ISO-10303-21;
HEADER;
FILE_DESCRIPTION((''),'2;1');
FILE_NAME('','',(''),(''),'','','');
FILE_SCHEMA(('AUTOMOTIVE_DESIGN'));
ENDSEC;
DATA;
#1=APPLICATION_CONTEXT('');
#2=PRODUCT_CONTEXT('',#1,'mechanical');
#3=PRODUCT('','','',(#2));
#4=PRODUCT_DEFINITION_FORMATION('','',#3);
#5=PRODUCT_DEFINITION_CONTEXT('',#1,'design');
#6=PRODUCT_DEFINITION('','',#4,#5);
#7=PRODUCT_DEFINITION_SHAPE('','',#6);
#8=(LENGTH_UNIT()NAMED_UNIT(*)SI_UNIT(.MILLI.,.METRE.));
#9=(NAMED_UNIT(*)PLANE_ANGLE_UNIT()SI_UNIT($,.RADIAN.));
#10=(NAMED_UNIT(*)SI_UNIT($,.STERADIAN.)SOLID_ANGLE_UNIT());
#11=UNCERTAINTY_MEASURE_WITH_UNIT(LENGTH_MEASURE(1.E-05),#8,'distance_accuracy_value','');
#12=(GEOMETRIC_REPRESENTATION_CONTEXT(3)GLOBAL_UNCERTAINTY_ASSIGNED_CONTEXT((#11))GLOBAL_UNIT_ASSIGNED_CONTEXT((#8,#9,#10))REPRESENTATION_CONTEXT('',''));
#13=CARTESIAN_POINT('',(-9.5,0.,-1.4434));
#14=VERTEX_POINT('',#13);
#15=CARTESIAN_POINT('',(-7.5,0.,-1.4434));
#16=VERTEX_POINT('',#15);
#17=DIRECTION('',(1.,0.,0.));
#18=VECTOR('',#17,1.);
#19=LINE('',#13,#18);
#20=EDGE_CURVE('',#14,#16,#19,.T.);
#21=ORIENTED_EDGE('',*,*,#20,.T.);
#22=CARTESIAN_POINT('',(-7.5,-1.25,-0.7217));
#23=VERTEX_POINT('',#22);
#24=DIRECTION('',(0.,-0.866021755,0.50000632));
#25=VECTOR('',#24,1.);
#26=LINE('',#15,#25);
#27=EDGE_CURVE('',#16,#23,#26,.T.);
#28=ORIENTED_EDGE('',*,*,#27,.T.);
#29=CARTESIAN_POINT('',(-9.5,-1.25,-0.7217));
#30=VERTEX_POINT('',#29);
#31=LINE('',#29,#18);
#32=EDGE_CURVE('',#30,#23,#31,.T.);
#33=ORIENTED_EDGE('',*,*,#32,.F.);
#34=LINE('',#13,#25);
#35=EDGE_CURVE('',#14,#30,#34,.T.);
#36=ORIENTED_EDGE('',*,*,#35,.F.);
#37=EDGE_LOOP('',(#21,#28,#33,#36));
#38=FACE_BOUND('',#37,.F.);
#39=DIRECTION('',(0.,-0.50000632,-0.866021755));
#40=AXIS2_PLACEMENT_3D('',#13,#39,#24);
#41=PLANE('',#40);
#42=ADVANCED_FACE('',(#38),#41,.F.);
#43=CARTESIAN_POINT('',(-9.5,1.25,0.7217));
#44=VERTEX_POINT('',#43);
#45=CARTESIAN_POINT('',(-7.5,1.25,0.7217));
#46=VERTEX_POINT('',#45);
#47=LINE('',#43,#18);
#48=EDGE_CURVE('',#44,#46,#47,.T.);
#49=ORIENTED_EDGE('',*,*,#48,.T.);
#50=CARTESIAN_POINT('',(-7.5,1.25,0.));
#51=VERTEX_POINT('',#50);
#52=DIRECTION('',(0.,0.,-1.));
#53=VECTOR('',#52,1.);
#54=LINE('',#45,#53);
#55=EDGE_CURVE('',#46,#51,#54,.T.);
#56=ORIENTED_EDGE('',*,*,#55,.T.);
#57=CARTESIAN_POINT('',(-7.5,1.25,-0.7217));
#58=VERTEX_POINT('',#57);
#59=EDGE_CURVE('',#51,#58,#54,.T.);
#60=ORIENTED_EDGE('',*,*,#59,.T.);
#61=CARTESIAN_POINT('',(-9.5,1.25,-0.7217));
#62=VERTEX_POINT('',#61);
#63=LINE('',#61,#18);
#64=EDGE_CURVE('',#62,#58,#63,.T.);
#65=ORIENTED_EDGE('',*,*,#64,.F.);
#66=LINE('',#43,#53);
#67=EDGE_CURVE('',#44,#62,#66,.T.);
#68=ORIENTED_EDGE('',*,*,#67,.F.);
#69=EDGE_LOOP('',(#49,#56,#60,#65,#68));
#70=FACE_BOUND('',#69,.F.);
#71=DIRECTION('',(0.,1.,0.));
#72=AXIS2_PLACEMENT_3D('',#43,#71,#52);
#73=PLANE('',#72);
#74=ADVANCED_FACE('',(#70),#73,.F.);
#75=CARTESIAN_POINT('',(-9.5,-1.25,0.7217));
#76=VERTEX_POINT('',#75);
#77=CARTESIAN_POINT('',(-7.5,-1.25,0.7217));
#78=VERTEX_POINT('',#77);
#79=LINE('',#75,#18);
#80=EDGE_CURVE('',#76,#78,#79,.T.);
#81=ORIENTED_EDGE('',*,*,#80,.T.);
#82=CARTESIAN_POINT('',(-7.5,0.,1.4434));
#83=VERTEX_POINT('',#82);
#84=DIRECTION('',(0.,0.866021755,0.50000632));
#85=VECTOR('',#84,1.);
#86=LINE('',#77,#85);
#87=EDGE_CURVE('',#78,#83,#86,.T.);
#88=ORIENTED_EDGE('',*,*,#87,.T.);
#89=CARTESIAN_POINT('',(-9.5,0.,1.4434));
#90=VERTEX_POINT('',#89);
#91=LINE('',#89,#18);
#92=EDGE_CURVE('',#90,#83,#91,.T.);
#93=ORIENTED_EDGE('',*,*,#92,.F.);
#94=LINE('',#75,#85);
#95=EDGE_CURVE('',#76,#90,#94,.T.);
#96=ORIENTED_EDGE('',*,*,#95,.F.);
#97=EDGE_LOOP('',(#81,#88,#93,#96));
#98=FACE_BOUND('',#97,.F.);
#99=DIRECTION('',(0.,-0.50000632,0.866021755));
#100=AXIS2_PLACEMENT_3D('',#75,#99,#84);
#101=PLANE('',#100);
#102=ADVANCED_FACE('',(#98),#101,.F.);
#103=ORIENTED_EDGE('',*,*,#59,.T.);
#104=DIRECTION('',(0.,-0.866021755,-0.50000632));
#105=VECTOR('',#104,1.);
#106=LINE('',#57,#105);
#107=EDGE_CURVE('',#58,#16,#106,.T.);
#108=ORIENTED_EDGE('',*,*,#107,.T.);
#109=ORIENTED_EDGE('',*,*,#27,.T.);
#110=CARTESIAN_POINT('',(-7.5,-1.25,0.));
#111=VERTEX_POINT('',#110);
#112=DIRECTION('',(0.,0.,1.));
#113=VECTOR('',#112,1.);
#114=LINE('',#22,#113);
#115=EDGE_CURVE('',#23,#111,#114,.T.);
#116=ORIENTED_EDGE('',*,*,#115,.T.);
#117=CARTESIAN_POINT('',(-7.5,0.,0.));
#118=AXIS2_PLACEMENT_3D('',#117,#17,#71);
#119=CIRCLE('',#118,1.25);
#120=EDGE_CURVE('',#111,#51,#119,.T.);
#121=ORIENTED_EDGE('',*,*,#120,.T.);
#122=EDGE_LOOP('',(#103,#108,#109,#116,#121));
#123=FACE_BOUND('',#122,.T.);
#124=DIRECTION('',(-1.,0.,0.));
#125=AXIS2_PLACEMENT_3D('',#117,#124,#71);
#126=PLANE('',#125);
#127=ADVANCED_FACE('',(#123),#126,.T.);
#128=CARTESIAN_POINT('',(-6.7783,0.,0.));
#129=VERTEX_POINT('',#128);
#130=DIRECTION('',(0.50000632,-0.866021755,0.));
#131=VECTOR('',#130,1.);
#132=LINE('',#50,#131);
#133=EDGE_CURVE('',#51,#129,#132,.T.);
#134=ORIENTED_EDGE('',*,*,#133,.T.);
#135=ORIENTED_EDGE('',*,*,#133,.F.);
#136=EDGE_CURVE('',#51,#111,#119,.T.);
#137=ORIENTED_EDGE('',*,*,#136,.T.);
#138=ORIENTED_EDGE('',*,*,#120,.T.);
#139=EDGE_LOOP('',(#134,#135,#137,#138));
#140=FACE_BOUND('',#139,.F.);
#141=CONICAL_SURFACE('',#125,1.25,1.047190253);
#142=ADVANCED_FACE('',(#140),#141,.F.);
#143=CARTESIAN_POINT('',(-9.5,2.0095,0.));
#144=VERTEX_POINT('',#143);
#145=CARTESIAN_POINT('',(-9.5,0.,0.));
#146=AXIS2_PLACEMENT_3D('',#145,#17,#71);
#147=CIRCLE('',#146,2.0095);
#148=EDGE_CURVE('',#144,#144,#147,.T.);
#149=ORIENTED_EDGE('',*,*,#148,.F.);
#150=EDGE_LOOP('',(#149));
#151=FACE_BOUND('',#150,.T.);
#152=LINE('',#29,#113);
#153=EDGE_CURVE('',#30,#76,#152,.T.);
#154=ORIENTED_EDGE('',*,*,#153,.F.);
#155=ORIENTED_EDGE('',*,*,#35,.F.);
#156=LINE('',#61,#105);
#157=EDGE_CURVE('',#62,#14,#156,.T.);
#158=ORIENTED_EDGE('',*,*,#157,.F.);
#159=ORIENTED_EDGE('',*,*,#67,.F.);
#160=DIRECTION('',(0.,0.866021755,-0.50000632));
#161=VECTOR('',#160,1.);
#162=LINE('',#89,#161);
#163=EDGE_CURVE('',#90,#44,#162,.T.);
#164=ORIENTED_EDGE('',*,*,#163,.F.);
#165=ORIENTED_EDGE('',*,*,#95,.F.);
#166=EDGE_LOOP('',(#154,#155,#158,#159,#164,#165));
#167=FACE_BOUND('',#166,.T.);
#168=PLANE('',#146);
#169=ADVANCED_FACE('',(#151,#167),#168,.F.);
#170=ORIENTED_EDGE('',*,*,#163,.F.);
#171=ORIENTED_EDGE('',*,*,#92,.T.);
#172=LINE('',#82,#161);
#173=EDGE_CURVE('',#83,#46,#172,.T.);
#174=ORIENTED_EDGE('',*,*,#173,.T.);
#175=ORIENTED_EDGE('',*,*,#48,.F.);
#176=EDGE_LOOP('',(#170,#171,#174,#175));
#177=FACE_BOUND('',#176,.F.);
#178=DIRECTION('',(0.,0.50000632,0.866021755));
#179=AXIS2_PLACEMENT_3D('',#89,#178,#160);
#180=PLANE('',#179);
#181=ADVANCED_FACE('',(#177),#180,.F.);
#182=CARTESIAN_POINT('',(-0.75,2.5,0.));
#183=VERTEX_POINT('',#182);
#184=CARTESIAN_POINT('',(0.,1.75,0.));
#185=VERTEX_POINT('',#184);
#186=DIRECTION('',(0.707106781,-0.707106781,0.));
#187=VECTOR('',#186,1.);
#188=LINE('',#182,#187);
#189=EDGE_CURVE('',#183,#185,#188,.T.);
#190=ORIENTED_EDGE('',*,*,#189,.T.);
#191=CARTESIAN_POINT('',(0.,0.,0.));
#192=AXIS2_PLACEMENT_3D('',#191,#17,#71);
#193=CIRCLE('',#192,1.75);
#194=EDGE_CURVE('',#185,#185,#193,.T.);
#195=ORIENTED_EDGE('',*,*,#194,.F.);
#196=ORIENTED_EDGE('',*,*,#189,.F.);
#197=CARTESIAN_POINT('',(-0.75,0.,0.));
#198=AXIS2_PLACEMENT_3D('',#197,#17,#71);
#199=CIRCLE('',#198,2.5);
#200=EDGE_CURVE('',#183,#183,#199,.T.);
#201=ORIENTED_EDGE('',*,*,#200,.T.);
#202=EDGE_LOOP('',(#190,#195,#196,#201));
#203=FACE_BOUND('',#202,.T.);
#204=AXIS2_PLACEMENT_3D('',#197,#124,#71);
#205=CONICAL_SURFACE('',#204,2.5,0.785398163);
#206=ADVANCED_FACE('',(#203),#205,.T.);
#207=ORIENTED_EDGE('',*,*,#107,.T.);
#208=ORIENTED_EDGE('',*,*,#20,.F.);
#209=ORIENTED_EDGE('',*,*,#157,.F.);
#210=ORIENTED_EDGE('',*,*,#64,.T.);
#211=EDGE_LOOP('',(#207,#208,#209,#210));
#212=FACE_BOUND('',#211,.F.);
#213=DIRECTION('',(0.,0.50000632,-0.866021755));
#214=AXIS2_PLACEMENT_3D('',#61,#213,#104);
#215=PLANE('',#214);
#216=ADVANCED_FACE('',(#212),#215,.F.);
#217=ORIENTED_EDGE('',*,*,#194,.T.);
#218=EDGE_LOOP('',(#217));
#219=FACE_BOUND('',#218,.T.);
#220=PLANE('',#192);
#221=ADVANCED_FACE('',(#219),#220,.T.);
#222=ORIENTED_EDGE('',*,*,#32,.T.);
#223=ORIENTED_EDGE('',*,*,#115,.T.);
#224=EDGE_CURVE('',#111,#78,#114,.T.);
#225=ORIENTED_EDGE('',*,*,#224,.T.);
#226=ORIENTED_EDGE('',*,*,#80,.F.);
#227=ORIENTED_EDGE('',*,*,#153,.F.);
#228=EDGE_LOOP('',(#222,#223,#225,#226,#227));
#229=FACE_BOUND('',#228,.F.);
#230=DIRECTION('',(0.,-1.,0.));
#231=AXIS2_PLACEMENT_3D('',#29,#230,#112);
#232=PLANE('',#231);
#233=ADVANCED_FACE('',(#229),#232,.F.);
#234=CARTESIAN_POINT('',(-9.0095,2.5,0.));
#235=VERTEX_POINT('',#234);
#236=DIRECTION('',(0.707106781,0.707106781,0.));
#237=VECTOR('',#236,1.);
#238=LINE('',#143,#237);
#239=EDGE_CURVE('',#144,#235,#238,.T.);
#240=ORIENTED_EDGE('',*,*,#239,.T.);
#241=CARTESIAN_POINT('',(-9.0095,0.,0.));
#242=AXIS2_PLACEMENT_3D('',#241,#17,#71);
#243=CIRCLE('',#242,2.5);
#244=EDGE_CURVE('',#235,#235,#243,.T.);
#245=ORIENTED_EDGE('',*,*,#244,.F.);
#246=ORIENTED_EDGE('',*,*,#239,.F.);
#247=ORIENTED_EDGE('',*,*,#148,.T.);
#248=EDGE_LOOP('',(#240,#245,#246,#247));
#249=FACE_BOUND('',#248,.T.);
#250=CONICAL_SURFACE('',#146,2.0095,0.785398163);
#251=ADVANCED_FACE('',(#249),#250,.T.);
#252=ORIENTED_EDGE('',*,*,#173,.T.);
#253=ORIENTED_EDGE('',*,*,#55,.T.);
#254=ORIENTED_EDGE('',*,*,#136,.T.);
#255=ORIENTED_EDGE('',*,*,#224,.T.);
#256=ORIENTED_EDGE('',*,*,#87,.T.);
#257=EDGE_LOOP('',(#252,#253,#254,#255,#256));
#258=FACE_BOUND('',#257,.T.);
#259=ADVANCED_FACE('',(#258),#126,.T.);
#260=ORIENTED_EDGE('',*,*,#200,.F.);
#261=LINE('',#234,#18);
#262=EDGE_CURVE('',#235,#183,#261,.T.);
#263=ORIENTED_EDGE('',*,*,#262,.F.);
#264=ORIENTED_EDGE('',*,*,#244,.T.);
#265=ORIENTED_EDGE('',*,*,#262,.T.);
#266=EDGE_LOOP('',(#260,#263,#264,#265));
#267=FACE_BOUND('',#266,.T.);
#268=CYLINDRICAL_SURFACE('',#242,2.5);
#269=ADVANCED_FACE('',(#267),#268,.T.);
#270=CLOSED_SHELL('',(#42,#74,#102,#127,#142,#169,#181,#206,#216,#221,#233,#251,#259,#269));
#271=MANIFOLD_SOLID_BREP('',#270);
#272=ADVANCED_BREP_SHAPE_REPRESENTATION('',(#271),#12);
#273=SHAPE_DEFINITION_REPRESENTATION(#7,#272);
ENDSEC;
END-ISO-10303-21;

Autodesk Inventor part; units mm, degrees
sketch "Sketch_1" plane through (0, 0, 0) normal (0, 0, 1) x (1, 0, 0)
  line L0 (0, 0) -> (-9.5, 0)
  line L1 (-9.5, 0) -> (-9.5, 2.0095)
  line L2 (-9.5, 2.0095) -> (-9.0095, 2.5)
  line L3 (-9.0095, 2.5) -> (-0.75, 2.5)
  line L4 (-0.75, 2.5) -> (0, 1.75)
  line L5 (0, 1.75) -> (0, 0)
  line L6 (0, 0) -> (-9.5, 0)
revolve "Revolution1" add sketch "Sketch_1" angle 360 about axis through (0, 0, 0) along (1, 0, 0)
thread "Thread1" size "M5x0.8" class "6g" standard "ISO Metric profile" full length
sketch "Sketch_2" plane through (-9.5, 0, 0) normal (-1, 0, 0) x (0, 1, 0)
  line L0 (-1.25, 0.7217) -> (-1.25, -0.7217)
  line L1 (-1.25, -0.7217) -> (0, -1.4434)
  line L2 (0, -1.4434) -> (1.25, -0.7217)
  line L3 (1.25, -0.7217) -> (1.25, 0.7217)
  line L4 (1.25, 0.7217) -> (0, 1.4434)
  line L5 (0, 1.4434) -> (-1.25, 0.7217)
extrude "Extrusion1" cut sketch "Sketch_2" against normal blind 2
sketch "Sketch_3" plane through (0, 0, 0) normal (0, 0, 1) x (1, 0, 0)
  line L0 (-6.7783, 0) -> (-7.5, 0)
  line L1 (-7.5, 0) -> (-7.5, 1.25)
  line L2 (-7.5, 1.25) -> (-6.7783, 0)
  line L3 (-6.7783, 0) -> (-7.5, 0)
revolve "Revolution2" cut sketch "Sketch_3" angle 360 about axis through (-6.7783, 0, 0) along (1, 0, 0)
ref_plane "CP_XY" through (0, 0, 0) normal (1, 0, 0) x (0, 0, -1)
ref_plane "CP_YZ" through (0, 0, 0) normal (0, 0, -1) x (0, 1, 0)
ref_plane "CP_ZX" through (0, 0, 0) normal (0, 1, 0) x (1, 0, 0)
properties part number "SET-SCREW5-9.5"
